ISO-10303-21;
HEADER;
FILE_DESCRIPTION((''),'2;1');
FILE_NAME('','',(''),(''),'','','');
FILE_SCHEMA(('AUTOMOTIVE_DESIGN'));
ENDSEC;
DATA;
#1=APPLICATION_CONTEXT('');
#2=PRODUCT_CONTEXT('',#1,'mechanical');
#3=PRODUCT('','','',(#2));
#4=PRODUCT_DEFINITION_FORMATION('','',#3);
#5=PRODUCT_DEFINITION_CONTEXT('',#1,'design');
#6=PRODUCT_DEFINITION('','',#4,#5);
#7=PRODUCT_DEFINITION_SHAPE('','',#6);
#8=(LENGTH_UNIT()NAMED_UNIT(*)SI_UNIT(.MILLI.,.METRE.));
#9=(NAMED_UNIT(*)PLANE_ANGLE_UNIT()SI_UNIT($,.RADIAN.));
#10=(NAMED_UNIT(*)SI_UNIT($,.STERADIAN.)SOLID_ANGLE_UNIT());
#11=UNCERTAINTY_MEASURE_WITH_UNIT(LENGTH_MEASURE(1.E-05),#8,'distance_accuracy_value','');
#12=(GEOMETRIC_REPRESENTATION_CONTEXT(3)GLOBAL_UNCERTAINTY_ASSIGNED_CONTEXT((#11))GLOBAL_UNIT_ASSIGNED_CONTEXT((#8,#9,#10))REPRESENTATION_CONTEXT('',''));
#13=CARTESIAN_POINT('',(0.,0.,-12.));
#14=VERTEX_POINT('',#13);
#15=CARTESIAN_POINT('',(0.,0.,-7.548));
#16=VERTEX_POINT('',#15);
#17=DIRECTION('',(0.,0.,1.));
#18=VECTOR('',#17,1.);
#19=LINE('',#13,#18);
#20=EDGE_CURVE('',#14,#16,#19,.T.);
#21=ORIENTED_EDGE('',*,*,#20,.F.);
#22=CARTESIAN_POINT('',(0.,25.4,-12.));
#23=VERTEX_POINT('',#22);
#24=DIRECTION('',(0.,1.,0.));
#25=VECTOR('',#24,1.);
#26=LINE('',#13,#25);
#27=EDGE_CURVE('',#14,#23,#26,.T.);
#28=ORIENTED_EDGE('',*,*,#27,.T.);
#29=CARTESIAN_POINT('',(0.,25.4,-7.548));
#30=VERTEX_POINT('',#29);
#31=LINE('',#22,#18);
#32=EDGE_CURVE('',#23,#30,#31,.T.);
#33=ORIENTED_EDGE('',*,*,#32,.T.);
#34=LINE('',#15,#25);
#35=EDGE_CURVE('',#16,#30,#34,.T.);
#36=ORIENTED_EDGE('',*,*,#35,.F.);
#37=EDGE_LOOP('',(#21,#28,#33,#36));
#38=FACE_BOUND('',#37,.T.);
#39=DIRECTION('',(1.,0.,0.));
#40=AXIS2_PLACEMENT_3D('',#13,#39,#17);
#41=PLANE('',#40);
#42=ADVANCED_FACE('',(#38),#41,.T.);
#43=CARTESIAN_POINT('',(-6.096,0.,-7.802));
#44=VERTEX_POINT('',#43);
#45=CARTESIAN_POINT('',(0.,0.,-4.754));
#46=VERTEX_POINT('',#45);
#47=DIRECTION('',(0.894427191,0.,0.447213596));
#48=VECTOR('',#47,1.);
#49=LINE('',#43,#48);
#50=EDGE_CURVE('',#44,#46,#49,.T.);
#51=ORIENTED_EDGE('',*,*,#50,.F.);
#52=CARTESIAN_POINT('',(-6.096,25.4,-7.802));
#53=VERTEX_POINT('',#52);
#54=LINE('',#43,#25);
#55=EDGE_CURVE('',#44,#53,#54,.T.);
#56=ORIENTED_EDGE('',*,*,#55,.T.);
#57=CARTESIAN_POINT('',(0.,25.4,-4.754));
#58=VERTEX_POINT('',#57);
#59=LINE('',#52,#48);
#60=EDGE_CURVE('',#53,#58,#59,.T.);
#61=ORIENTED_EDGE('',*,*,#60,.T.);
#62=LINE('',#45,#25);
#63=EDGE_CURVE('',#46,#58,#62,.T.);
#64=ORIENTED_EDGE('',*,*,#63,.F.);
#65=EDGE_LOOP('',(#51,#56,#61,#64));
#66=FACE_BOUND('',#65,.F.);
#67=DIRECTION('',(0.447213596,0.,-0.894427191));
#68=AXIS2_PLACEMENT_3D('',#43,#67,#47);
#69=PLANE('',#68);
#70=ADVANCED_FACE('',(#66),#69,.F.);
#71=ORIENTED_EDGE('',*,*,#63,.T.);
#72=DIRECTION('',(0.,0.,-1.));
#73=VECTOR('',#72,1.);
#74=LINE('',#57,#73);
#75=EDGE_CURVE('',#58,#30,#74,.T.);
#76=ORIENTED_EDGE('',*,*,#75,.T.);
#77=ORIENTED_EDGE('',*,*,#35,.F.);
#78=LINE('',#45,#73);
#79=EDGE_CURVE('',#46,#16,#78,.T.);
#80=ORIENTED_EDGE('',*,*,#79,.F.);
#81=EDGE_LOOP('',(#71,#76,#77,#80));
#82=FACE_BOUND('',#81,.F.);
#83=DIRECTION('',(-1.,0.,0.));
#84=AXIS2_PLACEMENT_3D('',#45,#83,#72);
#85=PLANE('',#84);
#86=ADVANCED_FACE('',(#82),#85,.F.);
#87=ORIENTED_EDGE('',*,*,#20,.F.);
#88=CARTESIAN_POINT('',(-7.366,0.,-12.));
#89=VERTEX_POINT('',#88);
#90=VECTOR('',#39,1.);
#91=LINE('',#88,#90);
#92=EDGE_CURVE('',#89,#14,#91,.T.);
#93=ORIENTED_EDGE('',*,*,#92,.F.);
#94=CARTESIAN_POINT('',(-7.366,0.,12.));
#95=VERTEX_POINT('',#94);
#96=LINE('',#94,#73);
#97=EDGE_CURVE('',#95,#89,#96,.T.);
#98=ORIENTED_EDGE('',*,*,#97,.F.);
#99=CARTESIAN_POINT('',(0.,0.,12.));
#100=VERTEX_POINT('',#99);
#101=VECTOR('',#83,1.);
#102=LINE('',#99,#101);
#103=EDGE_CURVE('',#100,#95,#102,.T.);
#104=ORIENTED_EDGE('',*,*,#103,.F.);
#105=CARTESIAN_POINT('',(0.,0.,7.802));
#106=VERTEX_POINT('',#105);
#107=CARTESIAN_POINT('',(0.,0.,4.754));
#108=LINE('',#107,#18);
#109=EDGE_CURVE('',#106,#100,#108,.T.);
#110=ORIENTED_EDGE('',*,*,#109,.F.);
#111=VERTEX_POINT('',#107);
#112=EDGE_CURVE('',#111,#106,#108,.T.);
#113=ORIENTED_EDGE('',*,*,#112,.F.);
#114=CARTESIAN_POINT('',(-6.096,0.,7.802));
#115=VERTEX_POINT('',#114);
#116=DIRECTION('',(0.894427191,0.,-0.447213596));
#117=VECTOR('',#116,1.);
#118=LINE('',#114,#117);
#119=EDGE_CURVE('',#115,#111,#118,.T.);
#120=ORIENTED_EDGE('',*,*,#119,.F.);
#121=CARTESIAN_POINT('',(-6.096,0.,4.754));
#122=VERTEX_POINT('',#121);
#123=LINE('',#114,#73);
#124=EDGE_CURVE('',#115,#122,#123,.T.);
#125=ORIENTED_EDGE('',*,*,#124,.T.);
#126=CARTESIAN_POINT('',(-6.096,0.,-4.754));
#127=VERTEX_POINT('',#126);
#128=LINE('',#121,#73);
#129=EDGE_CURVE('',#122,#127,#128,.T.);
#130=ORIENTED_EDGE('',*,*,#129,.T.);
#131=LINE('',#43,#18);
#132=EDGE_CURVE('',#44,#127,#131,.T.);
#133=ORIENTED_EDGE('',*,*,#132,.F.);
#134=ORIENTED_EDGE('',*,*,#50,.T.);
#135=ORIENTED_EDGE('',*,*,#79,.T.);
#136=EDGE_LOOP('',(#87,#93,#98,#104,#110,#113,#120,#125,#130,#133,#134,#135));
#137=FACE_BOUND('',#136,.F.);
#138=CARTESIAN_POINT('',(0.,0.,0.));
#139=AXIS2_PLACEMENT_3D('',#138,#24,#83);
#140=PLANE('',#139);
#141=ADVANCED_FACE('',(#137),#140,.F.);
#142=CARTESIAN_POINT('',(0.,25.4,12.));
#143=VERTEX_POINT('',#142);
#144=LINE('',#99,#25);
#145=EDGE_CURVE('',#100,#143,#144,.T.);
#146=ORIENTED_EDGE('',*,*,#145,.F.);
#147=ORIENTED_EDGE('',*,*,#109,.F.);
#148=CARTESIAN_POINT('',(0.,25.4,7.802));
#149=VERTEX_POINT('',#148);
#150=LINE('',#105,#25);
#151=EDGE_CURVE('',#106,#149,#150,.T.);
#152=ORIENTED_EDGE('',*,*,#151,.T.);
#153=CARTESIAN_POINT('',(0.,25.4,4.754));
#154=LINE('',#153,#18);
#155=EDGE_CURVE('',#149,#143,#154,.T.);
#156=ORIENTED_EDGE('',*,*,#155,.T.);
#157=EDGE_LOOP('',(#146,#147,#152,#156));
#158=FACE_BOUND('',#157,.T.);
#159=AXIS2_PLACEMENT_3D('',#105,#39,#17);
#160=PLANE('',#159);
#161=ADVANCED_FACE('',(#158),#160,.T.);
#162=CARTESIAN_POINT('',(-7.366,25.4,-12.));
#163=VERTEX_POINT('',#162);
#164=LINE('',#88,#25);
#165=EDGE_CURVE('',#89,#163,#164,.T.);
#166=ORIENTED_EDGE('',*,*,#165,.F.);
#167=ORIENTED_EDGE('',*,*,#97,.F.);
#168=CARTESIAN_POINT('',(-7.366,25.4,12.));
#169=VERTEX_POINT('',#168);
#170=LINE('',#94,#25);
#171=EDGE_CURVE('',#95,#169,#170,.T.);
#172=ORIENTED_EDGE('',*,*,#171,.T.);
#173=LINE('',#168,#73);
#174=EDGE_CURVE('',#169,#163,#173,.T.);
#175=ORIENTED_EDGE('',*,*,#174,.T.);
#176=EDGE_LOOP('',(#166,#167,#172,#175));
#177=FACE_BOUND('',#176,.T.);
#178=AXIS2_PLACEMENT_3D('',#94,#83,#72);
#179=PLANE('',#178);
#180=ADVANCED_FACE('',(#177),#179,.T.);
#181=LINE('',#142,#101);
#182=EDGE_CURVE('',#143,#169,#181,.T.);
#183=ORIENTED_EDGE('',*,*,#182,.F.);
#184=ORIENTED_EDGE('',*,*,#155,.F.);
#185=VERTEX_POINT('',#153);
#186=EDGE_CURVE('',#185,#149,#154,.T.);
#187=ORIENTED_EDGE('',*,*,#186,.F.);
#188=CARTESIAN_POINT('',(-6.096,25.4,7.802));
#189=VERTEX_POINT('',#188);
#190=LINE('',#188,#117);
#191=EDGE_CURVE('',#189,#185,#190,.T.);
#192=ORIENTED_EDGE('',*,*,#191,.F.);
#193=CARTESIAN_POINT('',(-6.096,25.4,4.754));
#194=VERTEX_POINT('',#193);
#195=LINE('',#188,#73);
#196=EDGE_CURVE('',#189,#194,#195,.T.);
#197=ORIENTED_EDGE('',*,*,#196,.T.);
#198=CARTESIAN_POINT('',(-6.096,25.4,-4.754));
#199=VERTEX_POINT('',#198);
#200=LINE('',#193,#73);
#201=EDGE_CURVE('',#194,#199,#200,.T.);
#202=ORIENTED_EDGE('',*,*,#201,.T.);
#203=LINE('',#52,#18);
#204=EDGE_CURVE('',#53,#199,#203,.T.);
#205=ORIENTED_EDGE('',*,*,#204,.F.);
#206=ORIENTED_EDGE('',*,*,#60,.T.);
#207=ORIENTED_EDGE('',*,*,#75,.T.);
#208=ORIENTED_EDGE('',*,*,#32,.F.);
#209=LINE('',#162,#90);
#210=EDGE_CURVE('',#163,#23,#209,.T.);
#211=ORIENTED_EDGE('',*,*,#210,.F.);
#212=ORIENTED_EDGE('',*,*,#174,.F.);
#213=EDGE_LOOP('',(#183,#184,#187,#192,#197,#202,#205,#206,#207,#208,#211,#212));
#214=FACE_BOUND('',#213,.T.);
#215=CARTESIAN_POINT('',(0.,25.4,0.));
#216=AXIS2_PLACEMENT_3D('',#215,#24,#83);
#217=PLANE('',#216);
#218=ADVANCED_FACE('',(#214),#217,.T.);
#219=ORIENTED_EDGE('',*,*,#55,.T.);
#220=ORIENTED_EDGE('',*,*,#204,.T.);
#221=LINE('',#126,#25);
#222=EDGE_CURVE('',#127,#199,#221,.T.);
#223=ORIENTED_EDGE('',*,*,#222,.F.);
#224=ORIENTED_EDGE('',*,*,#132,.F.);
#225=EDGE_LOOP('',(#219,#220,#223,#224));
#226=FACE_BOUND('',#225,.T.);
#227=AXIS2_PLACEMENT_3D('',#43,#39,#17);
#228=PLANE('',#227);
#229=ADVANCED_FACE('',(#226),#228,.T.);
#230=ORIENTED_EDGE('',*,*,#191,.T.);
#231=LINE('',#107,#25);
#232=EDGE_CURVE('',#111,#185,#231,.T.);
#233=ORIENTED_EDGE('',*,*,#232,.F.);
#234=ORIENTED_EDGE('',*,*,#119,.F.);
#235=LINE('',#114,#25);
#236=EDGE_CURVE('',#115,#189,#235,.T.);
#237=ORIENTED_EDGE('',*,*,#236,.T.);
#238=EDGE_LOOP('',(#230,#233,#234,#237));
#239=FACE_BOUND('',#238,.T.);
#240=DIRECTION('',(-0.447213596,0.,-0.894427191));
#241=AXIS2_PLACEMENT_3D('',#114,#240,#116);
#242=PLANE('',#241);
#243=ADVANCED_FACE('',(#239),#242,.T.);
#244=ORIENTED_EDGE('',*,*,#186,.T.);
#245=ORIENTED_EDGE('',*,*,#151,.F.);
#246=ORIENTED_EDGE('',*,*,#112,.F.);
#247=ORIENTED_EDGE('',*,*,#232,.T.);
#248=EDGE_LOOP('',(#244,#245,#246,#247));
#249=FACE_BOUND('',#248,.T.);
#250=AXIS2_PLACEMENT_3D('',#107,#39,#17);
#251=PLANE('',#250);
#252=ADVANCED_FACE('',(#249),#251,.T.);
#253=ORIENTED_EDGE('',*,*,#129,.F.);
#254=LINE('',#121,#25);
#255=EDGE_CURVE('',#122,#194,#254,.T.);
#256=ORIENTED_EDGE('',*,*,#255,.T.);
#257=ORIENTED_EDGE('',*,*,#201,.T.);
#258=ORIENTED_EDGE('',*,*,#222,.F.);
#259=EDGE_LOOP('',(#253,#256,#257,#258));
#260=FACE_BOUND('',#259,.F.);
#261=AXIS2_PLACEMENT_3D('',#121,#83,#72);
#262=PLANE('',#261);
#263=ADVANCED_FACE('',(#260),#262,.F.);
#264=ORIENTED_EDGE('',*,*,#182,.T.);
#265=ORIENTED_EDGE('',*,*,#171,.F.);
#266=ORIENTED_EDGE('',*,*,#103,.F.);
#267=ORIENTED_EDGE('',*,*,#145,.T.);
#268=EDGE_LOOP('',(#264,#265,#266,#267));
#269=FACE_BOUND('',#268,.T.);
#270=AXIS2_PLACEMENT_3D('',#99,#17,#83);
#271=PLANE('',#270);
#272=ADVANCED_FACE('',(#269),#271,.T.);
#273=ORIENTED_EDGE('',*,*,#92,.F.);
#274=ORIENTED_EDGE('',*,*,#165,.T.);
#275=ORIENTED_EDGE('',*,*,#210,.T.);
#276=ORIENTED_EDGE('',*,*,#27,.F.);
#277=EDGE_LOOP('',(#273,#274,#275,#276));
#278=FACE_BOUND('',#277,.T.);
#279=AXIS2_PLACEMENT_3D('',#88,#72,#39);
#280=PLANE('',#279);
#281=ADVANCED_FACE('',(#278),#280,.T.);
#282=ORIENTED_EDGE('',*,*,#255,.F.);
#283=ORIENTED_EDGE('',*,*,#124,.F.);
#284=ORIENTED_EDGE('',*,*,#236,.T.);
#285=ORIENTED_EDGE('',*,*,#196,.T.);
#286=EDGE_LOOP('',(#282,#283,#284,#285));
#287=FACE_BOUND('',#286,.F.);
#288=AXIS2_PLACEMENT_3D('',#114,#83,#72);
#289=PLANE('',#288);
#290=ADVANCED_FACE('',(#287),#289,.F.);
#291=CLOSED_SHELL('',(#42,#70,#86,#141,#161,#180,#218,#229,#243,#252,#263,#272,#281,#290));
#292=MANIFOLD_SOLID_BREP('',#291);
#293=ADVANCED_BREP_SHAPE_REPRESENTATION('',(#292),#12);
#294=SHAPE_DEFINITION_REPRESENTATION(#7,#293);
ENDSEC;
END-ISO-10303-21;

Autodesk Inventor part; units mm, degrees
ref_plane "YZ Plane" through (0, 0, 0) normal (1, 0, 0) x (0, 1, 0)
ref_plane "XZ Plane" through (0, 0, 0) normal (0, 1, 0) x (-1, 0, 0)
ref_plane "XY Plane" through (0, 0, 0) normal (0, 0, 1) x (1, 0, 0)
sketch "Sketch1" plane through (0, 0, 0) normal (0, 1, 0) x (-1, 0, 0)
  line L0 (0, 12) -> (7.366, 12)
  line L1 (7.366, 12) -> (7.366, -12)
  line L2 (7.366, -12) -> (0, -12)
  line L3 (6.096, 4.754) -> (6.096, -4.754)
  line L4 (0, 4.754) -> (0, 7.802)
  line L5 (6.096, 7.802) -> (6.096, 4.754)
  line L6 (0, -4.754) -> (0, -7.548)
  line L7 (6.096, -7.802) -> (6.096, -4.754)
  line L8 (6.096, 7.802) -> (0, 4.754)
  line L9 (6.096, -7.802) -> (0, -4.754)
  line L10 (0, -12) -> (0, -4.754)
  line L11 (0, 4.754) -> (0, 12)
  point P0 (0, 0)
  dimension "d0" = 7.366
  dimension "d1" = 24
  dimension "d2" = 12
  dimension "d8" = 9.508
  dimension "d9" = 4.754
  dimension "d10" = 3.048
  dimension "d11" = 3.048
  dimension "d12" = 6.096
extrude "Extrusion1" add sketch "Sketch1" along normal blind 25.4
equation "\"d2\" = 0.5 * d1"
equation "\"d9\" = 0.5 * d8"
equation "\"d11\" = d10"
properties part number "Sliding test receiver"
